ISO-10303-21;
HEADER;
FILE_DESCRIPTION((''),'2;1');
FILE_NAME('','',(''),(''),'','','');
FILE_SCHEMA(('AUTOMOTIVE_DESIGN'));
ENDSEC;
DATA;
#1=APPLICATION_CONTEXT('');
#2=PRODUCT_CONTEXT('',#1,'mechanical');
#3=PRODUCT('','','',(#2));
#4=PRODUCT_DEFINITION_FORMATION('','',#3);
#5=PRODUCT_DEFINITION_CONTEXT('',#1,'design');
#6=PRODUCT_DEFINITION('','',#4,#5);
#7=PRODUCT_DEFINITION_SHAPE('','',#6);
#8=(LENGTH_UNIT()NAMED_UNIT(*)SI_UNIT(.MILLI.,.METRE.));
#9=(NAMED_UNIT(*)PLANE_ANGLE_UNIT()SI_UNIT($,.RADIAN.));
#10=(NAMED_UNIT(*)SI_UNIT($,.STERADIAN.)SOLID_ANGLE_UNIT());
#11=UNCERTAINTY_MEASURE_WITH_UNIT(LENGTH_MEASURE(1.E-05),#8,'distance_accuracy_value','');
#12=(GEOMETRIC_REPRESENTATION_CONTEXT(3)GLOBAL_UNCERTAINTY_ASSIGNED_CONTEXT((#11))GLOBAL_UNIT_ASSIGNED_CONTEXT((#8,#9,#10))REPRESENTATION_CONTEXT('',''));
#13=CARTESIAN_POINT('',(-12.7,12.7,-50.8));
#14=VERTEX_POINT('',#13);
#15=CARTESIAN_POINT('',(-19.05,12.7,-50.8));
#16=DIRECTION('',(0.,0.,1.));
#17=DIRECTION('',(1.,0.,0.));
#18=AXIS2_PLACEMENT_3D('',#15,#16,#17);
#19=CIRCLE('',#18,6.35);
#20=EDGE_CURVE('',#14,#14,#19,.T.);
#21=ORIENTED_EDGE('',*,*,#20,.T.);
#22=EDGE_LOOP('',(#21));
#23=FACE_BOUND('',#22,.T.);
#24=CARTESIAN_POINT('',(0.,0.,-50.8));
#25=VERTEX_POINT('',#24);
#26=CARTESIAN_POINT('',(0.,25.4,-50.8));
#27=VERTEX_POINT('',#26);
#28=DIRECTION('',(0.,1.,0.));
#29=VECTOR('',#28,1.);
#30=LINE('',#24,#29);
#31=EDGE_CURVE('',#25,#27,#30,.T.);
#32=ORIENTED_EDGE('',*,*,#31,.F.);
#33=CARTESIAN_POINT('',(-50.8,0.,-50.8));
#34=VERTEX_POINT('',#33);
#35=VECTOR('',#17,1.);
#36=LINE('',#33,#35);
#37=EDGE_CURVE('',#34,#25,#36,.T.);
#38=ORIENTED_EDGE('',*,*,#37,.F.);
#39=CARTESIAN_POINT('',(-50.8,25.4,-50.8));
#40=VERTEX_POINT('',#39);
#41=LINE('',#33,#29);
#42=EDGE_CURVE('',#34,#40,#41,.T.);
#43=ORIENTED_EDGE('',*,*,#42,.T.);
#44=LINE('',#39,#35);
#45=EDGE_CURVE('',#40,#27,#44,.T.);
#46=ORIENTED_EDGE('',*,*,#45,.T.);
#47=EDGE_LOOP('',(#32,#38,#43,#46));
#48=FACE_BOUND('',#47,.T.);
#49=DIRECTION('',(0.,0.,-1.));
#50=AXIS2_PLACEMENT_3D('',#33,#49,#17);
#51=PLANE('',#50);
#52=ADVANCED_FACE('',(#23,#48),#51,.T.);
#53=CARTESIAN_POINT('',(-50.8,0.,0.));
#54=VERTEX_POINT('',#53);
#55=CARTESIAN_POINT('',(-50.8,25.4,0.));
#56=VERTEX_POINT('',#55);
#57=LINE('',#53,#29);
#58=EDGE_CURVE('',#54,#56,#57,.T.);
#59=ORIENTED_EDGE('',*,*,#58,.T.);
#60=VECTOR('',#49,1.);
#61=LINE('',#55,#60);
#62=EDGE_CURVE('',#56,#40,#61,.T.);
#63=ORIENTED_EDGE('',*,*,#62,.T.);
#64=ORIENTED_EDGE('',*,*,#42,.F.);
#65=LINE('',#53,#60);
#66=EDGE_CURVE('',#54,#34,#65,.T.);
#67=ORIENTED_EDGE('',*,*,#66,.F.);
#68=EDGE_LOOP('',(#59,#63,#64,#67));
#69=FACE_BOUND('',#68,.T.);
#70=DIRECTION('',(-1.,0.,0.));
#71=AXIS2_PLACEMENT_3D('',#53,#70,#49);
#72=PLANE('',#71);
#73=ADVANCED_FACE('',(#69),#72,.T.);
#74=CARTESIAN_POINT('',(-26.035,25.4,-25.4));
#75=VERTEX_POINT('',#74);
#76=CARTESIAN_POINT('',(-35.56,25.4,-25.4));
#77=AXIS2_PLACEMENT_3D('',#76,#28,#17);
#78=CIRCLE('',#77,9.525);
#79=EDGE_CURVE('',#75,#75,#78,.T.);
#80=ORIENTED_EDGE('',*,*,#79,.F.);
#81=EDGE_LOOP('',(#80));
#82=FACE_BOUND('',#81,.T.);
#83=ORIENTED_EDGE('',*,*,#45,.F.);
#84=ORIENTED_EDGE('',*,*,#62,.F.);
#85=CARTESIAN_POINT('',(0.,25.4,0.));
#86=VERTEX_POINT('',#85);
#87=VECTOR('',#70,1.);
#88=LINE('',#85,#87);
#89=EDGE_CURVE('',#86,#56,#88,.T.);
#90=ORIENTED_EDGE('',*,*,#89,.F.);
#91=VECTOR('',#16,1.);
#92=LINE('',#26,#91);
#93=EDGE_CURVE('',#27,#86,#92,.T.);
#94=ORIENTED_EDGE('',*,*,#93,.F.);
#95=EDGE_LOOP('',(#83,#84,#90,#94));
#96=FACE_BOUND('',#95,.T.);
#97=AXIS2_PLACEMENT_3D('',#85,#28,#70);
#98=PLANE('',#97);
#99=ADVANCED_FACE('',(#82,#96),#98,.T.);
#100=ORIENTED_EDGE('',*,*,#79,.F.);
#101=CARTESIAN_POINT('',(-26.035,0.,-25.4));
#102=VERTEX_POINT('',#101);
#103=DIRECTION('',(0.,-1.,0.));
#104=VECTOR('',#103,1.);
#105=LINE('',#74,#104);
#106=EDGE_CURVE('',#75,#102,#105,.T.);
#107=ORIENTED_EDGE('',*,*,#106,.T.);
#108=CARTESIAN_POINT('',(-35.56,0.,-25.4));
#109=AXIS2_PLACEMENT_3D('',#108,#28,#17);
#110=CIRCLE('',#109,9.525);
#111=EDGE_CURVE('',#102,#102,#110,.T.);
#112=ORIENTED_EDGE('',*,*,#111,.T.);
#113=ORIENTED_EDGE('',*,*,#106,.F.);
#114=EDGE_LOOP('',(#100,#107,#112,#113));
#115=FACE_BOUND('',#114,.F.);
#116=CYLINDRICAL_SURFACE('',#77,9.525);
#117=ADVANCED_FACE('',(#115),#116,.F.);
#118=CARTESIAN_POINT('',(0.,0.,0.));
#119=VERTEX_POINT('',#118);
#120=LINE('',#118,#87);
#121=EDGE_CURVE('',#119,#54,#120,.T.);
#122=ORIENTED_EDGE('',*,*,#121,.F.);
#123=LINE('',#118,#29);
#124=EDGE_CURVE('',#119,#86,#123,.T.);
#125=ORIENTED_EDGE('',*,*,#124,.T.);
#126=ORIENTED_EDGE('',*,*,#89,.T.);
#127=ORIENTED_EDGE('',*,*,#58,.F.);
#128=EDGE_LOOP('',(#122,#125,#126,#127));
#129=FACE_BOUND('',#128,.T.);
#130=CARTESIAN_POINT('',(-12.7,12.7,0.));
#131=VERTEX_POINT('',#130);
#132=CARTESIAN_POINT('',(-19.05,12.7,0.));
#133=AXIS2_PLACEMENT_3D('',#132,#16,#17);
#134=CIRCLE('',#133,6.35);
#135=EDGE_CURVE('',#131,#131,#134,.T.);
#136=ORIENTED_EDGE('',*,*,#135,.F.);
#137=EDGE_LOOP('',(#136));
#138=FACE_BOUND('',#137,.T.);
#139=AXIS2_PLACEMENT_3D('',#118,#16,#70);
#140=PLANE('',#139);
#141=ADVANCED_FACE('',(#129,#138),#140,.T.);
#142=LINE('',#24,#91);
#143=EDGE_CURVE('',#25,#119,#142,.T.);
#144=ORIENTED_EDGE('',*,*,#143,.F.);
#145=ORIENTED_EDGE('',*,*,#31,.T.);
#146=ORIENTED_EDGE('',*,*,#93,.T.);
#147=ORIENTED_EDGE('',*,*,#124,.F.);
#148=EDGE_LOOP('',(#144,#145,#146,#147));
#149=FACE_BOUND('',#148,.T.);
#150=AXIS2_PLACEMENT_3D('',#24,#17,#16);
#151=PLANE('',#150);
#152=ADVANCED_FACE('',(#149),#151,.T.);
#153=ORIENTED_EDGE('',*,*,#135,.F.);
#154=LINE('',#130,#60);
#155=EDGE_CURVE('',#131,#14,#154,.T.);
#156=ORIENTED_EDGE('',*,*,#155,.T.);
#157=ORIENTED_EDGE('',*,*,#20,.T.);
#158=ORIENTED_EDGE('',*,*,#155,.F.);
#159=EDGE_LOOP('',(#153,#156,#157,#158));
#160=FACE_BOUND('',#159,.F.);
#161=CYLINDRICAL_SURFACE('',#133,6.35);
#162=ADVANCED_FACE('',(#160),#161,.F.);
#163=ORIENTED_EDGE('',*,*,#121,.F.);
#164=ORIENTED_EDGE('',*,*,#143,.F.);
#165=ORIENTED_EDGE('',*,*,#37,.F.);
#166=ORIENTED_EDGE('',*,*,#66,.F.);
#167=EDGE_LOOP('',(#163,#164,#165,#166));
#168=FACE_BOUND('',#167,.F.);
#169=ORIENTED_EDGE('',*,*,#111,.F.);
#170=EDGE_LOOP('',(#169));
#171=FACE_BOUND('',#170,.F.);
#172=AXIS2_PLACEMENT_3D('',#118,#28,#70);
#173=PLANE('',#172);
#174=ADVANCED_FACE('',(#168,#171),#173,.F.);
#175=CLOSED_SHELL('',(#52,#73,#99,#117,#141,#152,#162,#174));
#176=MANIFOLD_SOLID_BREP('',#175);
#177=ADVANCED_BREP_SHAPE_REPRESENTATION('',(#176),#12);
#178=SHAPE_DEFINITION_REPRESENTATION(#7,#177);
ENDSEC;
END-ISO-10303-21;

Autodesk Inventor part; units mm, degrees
ref_plane "YZ Plane" through (0, 0, 0) normal (1, 0, 0) x (0, 1, 0)
ref_plane "XZ Plane" through (0, 0, 0) normal (0, 1, 0) x (-1, 0, 0)
ref_plane "XY Plane" through (0, 0, 0) normal (0, 0, 1) x (1, 0, 0)
sketch "Sketch1" plane through (0, 0, 0) normal (0, 1, 0) x (-1, 0, 0)
  line L0 (0, 0) -> (50.8, 0)
  line L1 (50.8, 0) -> (50.8, -50.8)
  line L2 (50.8, -50.8) -> (0, -50.8)
  line L3 (0, -50.8) -> (0, 0)
  dimension "d0" = 50.8
  dimension "d1" = 50.8
extrude "Extrusion1" add sketch "Sketch1" along normal blind 25.4
sketch "Sketch2" plane through (-50.8, 0, 0) normal (0, 0, 1) x (1, 0, 0)
  line L0 (50.8, 0) -> (0, 0) construction
  line L1 (50.8, 0) -> (31.75, 0) construction
  line L2 (31.75, 0) -> (31.75, 12.7) construction
  line L3 (31.75, 12.7) -> (50.8, 12.7) construction
  line L4 (50.8, 12.7) -> (50.8, 0) construction
  circle A0 centre (31.75, 12.7) radius 6.35
  dimension "d4" = 19.05
  dimension "d5" = 12.7
  dimension "d6" = 12.7
extrude "Extrusion2" cut sketch "Sketch2" against normal blind 66.675
sketch "Sketch3" plane through (0, 25.4, 0) normal (0, 1, 0) x (1, 0, 0)
  line L0 (-50.8, 0) -> (-35.56, 0) construction
  line L1 (-35.56, 0) -> (-35.56, 25.4) construction
  line L2 (-35.56, 25.4) -> (-50.8, 25.4) construction
  line L3 (-50.8, 25.4) -> (-50.8, 0) construction
  circle A0 centre (-35.56, 25.4) radius 9.525
  point P0 (0, 0)
  dimension "d9" = 15.24
  dimension "d10" = 25.4
  dimension "d11" = 19.05
extrude "Extrusion3" cut sketch "Sketch3" against normal blind 31.75
properties part number "AxleToRodAdapter"
